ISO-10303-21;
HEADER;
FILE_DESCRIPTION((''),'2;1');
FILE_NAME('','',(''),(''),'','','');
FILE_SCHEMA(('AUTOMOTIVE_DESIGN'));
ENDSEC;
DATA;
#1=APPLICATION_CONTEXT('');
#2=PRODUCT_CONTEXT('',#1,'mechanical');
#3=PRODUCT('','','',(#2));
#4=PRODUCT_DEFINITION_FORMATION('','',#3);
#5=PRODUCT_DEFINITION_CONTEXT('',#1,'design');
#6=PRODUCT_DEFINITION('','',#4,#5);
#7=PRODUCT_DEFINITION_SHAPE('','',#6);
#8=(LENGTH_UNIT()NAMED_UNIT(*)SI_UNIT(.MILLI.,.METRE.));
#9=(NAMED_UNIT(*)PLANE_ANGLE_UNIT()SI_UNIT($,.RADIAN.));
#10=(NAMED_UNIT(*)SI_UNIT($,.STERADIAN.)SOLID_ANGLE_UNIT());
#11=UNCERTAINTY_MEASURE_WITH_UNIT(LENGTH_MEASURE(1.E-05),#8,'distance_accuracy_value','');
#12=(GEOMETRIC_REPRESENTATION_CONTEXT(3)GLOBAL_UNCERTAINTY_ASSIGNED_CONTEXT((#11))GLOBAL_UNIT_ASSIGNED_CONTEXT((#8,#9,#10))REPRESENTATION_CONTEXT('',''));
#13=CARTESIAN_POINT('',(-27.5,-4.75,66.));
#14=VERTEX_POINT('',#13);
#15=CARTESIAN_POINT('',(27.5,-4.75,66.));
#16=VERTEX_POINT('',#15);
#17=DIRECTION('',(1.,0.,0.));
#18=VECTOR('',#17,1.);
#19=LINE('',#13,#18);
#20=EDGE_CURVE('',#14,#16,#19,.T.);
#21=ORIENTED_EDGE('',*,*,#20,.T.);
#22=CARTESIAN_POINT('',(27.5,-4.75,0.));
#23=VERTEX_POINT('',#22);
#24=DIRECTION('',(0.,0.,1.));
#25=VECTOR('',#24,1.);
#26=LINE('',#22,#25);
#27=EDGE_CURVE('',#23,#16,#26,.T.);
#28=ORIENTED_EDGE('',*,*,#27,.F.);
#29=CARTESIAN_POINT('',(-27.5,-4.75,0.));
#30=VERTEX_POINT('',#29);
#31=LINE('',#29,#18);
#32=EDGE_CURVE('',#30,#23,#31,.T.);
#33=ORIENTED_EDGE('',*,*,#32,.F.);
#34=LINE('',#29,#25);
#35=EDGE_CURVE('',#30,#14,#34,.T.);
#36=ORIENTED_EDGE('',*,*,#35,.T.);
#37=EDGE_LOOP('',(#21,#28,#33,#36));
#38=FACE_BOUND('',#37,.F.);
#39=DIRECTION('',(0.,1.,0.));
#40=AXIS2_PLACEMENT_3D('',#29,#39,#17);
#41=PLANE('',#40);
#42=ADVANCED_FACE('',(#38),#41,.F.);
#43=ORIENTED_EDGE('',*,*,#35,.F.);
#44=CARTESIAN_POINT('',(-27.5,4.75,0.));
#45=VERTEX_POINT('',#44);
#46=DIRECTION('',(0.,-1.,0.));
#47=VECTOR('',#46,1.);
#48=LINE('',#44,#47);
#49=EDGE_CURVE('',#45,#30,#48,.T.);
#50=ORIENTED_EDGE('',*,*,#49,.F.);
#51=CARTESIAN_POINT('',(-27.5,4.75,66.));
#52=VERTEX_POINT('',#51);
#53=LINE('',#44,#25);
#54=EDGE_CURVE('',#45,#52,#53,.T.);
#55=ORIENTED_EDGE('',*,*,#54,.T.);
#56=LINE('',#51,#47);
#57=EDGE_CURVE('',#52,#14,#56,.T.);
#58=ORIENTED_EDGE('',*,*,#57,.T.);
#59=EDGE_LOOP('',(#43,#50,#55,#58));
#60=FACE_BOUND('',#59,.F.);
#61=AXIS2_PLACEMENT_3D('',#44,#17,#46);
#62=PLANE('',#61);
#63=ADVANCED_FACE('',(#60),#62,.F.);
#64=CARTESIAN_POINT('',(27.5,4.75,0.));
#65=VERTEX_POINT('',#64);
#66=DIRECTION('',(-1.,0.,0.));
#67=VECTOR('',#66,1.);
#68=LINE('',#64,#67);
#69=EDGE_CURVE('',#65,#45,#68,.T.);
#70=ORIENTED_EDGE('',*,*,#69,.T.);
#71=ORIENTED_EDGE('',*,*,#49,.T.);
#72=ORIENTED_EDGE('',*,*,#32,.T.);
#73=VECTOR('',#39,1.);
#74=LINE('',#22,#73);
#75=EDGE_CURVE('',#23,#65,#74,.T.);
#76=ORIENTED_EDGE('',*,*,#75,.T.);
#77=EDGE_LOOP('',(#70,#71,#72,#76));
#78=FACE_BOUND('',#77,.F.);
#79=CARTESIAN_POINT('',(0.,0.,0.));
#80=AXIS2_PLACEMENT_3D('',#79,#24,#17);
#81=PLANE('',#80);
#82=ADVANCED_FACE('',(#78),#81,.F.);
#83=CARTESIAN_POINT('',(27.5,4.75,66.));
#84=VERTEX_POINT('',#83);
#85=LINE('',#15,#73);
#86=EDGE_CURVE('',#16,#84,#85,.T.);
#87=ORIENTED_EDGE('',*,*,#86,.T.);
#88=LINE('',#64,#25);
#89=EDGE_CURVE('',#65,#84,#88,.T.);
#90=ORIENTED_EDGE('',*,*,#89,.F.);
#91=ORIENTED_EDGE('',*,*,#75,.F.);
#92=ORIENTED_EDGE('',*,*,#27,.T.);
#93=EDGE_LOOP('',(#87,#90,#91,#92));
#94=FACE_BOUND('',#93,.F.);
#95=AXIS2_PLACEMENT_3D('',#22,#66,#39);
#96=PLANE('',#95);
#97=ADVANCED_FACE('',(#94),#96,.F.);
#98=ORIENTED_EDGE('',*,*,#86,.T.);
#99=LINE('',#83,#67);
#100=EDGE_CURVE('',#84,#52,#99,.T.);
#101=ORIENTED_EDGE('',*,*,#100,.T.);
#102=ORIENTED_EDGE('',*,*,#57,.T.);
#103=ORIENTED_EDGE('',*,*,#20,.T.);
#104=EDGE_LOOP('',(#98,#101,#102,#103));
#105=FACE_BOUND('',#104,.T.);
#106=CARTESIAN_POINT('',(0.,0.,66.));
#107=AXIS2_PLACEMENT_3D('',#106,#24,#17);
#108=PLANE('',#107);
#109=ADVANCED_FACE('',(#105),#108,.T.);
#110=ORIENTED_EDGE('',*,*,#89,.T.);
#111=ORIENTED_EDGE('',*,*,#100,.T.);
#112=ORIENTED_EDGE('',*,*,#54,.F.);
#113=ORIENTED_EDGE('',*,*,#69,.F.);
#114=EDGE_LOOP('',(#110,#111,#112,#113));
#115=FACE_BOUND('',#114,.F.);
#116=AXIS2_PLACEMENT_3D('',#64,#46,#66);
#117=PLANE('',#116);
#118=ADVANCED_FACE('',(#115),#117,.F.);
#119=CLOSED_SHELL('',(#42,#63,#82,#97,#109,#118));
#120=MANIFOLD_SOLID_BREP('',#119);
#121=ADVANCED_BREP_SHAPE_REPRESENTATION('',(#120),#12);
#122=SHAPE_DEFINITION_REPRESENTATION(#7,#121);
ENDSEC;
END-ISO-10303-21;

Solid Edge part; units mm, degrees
sketch "Sketch1" plane through (0, 0, 0) normal (0, 0, 1) x (1, 0, 0)
  line L0 (-27.5, -4.75) -> (27.5, -4.75)
  line L1 (27.5, -4.75) -> (27.5, 4.75)
  line L2 (27.5, 4.75) -> (-27.5, 4.75)
  line L3 (-27.5, 4.75) -> (-27.5, -4.75)
  dimension "D1" = 9.5
  dimension "D2" = 55
extrude "Protrusion1" add sketch "Sketch1" along normal blind 66
properties material "Polyurethan"
